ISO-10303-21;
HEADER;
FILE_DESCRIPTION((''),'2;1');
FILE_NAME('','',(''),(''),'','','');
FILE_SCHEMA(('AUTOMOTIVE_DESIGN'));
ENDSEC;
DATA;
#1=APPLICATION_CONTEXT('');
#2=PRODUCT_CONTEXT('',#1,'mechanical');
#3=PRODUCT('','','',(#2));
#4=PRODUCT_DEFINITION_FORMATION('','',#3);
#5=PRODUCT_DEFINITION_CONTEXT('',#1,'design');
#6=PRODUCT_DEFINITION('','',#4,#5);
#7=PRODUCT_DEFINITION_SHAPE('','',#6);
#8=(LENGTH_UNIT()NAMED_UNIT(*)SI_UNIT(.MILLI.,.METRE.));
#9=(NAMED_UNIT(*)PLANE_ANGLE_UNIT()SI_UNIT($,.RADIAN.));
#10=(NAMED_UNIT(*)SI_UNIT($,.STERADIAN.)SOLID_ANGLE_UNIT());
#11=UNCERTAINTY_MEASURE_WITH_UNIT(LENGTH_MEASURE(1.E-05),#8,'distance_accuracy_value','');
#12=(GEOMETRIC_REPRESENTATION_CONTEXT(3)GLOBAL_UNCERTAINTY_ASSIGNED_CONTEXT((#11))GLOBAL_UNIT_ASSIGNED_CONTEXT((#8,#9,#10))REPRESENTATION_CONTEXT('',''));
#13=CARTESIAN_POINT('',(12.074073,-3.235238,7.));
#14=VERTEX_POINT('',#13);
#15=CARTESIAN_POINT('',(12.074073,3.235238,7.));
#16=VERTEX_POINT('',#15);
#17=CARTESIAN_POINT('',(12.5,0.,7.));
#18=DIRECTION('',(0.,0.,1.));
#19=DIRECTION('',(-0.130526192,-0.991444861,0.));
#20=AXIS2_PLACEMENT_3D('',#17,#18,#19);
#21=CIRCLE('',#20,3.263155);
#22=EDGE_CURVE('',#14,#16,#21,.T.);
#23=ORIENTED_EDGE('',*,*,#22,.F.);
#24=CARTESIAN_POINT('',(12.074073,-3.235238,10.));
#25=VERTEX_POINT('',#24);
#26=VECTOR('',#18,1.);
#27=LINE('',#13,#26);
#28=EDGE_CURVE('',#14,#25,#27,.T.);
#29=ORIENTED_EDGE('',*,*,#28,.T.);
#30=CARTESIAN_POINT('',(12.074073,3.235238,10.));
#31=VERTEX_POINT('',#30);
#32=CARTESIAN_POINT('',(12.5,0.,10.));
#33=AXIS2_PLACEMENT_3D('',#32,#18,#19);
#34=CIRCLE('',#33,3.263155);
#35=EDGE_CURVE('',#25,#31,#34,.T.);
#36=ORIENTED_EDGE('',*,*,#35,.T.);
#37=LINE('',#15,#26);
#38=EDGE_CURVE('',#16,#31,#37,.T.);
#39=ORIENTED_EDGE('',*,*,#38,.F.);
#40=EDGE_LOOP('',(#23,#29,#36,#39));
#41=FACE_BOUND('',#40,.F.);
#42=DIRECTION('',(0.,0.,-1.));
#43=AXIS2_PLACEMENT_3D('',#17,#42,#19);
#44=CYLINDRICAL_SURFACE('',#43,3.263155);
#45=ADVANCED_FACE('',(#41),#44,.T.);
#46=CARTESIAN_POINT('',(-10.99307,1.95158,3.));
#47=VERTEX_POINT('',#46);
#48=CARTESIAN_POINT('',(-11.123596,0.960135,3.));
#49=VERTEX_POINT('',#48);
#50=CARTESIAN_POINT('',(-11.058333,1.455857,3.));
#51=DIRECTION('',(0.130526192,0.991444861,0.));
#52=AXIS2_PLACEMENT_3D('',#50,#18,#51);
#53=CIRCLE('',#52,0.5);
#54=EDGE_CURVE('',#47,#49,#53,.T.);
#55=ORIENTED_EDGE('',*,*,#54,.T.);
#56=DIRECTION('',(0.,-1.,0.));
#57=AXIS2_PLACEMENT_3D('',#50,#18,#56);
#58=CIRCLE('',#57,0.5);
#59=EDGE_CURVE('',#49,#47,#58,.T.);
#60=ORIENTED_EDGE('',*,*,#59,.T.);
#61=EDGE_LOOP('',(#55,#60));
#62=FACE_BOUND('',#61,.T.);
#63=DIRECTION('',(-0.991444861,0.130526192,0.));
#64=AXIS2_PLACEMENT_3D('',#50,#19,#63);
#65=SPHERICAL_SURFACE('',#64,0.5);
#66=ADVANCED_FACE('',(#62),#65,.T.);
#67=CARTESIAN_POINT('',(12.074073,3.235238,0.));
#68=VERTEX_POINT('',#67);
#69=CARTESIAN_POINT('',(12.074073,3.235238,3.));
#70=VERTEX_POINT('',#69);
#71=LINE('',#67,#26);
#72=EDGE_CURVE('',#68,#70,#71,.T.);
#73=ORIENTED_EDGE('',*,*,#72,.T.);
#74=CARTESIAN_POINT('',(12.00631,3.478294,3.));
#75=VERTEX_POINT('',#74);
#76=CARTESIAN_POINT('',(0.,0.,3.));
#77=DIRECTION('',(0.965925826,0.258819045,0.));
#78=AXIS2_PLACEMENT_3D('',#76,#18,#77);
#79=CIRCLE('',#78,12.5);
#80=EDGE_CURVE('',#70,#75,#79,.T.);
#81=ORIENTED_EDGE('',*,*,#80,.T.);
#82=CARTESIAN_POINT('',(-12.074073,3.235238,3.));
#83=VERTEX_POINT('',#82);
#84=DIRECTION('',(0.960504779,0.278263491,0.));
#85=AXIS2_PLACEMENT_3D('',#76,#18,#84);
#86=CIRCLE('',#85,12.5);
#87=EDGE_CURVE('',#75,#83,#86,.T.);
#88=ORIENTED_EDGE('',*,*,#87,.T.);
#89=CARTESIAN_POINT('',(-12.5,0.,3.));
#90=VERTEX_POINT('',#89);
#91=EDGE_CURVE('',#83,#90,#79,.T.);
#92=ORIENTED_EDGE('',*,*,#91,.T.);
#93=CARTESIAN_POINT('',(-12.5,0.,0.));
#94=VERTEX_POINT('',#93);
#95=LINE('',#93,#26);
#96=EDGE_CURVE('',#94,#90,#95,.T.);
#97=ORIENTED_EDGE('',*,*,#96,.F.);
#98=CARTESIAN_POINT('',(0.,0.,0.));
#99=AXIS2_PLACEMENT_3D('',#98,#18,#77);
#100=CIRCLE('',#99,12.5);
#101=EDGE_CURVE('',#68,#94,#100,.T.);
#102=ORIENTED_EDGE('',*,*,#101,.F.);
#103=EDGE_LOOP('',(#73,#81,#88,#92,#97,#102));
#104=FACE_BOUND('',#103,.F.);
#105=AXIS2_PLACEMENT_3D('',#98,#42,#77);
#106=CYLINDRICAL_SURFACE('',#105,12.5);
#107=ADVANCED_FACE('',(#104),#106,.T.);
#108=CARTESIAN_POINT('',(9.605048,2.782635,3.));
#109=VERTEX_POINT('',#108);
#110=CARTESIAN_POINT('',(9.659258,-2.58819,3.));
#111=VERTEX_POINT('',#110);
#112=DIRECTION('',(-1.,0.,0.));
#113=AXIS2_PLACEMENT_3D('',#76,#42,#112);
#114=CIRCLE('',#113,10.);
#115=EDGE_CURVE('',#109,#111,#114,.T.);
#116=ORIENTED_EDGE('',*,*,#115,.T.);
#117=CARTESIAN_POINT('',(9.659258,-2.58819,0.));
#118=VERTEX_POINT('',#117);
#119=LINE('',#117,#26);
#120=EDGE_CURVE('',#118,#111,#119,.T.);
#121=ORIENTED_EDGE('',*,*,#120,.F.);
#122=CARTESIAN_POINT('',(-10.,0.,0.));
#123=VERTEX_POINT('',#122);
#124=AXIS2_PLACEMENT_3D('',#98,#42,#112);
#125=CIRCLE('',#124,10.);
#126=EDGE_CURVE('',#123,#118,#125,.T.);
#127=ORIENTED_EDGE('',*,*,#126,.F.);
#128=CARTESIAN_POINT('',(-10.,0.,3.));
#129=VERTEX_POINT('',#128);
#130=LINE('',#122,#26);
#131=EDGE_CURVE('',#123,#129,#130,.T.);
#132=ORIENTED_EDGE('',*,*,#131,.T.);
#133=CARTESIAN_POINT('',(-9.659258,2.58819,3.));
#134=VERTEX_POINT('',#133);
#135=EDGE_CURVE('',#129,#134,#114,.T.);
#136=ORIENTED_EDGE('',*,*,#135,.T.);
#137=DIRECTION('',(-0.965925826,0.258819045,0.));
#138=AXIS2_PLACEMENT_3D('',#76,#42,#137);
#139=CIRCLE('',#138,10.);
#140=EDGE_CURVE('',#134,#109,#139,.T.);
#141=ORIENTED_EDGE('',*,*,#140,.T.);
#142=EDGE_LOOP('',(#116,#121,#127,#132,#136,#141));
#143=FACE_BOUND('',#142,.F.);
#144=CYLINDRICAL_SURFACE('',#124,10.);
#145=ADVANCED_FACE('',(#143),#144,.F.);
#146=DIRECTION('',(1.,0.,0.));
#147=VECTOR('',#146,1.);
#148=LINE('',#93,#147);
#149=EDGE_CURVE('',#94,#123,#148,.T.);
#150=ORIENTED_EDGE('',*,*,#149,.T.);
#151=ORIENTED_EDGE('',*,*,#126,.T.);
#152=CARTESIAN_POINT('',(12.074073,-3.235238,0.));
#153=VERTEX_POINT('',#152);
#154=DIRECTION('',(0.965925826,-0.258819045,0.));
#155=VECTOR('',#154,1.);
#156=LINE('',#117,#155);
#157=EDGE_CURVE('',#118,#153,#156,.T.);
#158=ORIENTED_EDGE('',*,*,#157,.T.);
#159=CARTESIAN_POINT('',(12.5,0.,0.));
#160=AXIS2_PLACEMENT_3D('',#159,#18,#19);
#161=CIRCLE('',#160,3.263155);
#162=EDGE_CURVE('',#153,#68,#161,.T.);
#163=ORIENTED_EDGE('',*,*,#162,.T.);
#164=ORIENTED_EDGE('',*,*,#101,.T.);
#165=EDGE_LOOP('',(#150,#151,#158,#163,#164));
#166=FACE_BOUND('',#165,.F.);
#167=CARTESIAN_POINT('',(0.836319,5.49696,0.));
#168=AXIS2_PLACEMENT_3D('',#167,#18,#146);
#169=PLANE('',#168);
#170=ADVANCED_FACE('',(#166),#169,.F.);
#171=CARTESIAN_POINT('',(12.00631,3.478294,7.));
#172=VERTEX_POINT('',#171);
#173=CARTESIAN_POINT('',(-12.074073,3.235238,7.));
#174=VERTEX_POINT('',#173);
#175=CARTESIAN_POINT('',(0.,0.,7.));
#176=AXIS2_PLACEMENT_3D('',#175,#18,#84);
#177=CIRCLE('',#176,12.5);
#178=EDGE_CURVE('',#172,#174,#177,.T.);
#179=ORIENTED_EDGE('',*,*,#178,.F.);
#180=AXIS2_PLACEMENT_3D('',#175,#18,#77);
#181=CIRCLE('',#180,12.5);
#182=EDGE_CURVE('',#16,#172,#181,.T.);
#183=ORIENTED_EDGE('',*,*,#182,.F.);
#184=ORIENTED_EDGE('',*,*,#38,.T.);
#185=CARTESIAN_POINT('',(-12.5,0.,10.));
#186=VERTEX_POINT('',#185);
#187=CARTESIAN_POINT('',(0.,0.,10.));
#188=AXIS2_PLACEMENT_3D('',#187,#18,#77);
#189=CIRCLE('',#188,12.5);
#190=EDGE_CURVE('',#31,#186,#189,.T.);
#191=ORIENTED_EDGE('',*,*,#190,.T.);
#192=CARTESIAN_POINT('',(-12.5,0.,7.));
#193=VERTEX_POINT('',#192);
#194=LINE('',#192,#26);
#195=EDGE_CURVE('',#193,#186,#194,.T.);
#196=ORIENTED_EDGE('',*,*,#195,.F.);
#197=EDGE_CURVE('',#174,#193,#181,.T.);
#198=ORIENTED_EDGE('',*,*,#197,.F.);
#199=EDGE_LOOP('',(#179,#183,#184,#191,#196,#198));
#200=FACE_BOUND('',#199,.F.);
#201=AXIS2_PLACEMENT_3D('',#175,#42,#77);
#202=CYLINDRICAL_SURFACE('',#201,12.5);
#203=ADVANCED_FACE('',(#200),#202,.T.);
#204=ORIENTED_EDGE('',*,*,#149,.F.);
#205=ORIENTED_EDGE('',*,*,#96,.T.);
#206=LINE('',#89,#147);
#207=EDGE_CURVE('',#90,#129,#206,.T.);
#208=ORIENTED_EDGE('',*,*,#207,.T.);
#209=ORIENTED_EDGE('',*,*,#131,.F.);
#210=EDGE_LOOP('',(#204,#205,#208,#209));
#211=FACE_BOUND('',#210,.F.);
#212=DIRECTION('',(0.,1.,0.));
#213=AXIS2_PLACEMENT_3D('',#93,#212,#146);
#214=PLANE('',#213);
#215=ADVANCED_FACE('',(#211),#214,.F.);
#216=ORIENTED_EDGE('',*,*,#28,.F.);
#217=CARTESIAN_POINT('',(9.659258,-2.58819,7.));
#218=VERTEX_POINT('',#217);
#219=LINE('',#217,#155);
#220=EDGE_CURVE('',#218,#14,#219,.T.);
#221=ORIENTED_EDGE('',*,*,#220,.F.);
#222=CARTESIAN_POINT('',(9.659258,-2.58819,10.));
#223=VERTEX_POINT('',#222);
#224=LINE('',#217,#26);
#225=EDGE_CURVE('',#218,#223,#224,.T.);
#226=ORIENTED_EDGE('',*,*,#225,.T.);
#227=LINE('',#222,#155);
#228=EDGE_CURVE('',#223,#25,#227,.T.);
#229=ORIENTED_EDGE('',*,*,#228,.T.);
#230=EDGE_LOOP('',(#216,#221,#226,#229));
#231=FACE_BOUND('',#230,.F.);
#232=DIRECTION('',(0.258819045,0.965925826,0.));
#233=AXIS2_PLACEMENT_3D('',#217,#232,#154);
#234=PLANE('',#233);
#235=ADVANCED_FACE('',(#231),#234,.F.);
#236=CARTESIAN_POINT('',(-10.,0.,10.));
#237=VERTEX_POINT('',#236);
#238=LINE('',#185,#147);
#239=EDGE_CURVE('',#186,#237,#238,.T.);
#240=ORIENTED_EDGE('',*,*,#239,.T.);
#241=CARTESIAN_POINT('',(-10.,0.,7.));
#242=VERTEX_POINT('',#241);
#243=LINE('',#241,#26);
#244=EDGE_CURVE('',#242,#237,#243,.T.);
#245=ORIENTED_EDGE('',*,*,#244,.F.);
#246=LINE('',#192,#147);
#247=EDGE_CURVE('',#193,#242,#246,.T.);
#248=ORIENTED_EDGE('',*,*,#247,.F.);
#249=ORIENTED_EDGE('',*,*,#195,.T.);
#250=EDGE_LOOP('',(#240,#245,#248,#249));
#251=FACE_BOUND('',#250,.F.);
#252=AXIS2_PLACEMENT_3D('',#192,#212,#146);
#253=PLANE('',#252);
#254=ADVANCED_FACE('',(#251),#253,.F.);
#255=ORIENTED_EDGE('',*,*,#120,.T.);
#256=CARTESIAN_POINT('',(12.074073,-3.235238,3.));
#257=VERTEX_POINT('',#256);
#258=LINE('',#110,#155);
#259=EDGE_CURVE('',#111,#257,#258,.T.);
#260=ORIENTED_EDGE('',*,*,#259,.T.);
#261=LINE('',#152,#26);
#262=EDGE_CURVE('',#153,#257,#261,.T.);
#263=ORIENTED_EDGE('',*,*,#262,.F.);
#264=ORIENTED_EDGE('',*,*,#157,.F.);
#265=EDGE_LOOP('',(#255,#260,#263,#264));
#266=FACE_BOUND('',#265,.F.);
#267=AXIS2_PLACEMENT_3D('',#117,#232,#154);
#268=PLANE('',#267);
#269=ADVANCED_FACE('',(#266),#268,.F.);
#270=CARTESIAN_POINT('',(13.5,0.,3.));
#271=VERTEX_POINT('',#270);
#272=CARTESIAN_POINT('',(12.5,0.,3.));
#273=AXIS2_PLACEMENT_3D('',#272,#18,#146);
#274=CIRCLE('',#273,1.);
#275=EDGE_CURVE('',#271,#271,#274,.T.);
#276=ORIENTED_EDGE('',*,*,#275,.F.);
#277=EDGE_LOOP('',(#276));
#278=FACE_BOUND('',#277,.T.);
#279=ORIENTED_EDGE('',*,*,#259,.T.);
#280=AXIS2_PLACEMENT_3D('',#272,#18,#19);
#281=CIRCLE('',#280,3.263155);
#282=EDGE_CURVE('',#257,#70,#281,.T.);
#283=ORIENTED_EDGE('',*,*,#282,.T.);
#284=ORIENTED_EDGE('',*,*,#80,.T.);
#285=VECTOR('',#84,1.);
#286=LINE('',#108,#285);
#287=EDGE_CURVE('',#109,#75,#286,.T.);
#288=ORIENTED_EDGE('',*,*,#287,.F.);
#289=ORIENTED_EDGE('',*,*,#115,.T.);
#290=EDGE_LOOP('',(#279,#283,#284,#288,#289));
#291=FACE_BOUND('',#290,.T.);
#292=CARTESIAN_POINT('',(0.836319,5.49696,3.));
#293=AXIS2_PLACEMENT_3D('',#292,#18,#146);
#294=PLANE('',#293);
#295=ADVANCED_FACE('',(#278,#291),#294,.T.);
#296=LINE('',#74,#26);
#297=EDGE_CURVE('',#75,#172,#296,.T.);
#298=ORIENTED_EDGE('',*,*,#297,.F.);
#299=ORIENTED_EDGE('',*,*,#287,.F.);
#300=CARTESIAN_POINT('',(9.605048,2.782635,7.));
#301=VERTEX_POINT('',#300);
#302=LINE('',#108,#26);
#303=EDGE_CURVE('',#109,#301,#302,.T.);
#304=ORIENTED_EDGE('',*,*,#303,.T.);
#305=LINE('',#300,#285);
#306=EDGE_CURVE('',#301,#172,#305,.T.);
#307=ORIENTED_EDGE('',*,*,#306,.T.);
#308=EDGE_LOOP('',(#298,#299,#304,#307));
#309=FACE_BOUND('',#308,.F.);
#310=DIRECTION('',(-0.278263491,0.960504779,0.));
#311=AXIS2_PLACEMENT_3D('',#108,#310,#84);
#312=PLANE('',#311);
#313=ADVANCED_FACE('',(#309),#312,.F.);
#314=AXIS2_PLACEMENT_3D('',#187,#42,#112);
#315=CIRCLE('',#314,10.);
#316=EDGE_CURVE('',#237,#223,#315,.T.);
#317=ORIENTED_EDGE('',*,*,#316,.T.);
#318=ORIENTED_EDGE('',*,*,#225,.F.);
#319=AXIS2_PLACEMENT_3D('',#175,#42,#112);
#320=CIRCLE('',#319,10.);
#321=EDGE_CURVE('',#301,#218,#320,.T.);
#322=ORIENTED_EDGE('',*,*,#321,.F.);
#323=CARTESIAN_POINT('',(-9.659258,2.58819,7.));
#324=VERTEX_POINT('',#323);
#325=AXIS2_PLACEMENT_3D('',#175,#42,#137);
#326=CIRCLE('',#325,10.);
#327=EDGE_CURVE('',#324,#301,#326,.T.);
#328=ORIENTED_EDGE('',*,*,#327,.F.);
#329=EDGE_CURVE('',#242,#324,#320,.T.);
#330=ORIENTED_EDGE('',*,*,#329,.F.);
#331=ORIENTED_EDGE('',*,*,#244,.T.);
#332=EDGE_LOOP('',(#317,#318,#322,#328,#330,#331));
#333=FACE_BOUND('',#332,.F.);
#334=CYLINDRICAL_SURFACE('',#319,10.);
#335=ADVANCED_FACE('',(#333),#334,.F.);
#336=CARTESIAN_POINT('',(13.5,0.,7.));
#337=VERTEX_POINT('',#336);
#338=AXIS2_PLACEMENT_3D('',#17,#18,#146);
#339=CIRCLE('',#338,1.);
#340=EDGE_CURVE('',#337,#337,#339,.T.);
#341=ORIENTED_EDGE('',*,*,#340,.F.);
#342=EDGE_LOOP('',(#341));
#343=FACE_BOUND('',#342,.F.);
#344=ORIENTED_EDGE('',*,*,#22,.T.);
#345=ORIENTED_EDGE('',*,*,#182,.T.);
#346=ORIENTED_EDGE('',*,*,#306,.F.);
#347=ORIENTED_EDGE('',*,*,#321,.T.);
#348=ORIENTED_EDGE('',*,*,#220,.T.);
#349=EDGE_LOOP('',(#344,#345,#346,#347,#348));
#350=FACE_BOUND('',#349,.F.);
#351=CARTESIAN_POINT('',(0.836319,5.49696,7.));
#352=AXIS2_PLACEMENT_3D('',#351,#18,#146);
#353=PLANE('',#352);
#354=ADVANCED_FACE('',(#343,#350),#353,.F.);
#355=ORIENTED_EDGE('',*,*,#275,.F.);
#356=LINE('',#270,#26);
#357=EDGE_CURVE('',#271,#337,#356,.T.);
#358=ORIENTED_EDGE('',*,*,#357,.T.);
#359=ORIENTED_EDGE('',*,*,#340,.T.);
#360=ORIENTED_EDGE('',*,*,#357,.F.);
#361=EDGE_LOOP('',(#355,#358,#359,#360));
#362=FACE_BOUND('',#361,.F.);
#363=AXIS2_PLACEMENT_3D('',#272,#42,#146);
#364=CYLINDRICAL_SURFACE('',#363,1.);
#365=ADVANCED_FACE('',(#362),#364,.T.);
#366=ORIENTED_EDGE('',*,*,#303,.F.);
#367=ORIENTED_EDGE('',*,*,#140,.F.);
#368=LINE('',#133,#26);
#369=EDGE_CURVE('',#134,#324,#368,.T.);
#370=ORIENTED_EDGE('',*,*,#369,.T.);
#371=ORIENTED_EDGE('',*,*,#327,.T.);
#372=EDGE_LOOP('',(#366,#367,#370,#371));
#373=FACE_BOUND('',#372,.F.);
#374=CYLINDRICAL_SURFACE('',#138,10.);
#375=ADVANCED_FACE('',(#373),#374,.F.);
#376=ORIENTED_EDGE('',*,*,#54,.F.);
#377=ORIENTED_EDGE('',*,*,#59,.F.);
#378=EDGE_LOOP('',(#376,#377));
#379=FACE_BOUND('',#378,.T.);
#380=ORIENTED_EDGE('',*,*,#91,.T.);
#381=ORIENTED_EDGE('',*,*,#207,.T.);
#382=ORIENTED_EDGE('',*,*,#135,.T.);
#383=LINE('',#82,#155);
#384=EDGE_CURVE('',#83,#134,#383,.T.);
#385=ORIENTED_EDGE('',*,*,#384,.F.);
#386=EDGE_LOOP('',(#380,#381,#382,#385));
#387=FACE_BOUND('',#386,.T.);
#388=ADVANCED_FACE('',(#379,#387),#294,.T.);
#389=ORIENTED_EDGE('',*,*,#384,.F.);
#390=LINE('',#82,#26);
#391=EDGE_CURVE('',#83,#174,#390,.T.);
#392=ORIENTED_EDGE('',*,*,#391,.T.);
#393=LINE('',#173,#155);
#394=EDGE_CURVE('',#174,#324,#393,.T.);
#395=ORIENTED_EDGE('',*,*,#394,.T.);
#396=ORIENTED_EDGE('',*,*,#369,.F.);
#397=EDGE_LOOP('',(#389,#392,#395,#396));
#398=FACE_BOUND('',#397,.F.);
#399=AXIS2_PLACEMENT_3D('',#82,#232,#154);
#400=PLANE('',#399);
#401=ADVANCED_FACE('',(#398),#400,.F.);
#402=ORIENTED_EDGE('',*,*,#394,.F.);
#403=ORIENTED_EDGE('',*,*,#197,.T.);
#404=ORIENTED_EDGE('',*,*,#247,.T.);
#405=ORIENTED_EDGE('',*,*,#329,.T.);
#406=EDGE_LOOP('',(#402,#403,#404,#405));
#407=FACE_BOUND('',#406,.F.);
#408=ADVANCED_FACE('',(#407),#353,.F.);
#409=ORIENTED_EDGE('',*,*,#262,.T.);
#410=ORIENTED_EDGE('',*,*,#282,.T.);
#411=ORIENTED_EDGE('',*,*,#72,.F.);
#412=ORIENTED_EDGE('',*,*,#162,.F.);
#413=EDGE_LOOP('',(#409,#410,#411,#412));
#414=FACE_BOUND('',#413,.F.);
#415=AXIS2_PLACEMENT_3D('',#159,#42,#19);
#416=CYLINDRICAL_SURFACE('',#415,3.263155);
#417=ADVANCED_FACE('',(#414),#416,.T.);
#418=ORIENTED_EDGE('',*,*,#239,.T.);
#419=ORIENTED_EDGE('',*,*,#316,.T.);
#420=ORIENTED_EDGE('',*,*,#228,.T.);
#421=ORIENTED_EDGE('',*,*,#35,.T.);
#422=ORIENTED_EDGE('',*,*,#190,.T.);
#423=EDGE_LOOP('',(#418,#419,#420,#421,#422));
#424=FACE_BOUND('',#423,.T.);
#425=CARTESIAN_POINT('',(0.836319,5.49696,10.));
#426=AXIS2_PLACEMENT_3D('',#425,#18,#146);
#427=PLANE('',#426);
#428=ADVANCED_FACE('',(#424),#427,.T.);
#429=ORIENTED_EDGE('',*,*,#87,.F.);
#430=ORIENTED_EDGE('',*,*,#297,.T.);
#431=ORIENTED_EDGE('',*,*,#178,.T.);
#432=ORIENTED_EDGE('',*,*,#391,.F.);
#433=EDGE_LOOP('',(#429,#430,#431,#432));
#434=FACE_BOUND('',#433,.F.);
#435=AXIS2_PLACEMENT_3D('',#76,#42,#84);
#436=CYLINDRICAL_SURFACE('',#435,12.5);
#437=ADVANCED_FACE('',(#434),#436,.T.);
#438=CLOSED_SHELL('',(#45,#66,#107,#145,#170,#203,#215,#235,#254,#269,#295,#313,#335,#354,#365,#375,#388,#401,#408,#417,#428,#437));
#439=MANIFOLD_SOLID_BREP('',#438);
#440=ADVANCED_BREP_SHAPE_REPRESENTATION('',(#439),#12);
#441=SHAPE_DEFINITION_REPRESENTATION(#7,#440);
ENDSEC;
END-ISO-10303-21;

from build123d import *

# Parameters (mm, degrees)
F1_DEPTH = 3
F2_R     = 1
F3_DEPTH = 4
F5_DEPTH = 3


with BuildPart() as f1:
    # F0 (on Top) → F1 (new body)
    with BuildSketch(Plane.XY):
        with BuildLine():
            Line((9.6592582629, -2.588190451), (12.0740728286, -3.2352380638))
            ThreePointArc((12.0740728286, -3.2352380638), (12.5, 0), (12.0740728286, 3.2352380638))
            ThreePointArc((12.0740728286, 3.2352380638), (-1.6315774028, 12.3930607672), (-12.5, 0))
            Line((-12.5, 0), (-10, 0))
            ThreePointArc((-10, 0), (1.3052619222, 9.9144486137), (9.6592582629, -2.588190451))
        make_face()
        with BuildLine():
            ThreePointArc((12.0740728286, 3.2352380638), (12.5, 0), (12.0740728286, -3.2352380638))
            ThreePointArc((12.0740728286, -3.2352380638), (15.7631548055, 0), (12.0740728286, 3.2352380638))
        make_face()
    extrude(amount=F1_DEPTH)

    # F2 (on face) → F3 (join)
    with BuildSketch(Plane.XY.offset(3)):
        with Locations((12.5, 0)):
            Circle(F2_R)
        with BuildLine():
            Line((-12.0740728286, 3.2352380638), (-9.6592582629, 2.588190451))
            ThreePointArc((-9.6592582629, 2.588190451), (-0.100929954, 9.9994906442), (9.605047786, 2.7826349075))
            Line((9.605047786, 2.7826349075), (12.0063097325, 3.4782936344))
            ThreePointArc((12.0063097325, 3.4782936344), (-0.1261624425, 12.4993633053), (-12.0740728286, 3.2352380638))
        make_face()
    extrude(amount=F3_DEPTH)

    # F4 (on face) → F5 (join)
    with BuildSketch(Plane.XY.offset(7)):
        with BuildLine():
            Line((9.6592582629, -2.588190451), (12.0740728286, -3.2352380638))
            ThreePointArc((12.0740728286, -3.2352380638), (12.5, 0), (12.0740728286, 3.2352380638))
            ThreePointArc((12.0740728286, 3.2352380638), (-1.6315774028, 12.3930607672), (-12.5, 0))
            Line((-12.5, 0), (-10, 0))
            ThreePointArc((-10, 0), (1.3052619222, 9.9144486137), (9.6592582629, -2.588190451))
        make_face()
        with BuildLine():
            ThreePointArc((12.0740728286, 3.2352380638), (12.5, 0), (12.0740728286, -3.2352380638))
            ThreePointArc((12.0740728286, -3.2352380638), (15.7631548055, 0), (12.0740728286, 3.2352380638))
        make_face()
    extrude(amount=F5_DEPTH)

    # F6 (on face) → F7 (revolve)
    with BuildSketch(Plane.XY.offset(3)):
        with BuildLine():
            Line((-11.123595869, 0.960134698), (-10.9930696768, 1.9515795594))
            ThreePointArc((-10.9930696768, 1.9515795594), (-11.5540552036, 1.5211202248), (-11.123595869, 0.960134698))
        make_face()
    revolve(axis=Axis((-11.0583327729, 1.4558571287, 3), (-0.1305261922, -0.9914448614, 0)))


solid = f1.part
